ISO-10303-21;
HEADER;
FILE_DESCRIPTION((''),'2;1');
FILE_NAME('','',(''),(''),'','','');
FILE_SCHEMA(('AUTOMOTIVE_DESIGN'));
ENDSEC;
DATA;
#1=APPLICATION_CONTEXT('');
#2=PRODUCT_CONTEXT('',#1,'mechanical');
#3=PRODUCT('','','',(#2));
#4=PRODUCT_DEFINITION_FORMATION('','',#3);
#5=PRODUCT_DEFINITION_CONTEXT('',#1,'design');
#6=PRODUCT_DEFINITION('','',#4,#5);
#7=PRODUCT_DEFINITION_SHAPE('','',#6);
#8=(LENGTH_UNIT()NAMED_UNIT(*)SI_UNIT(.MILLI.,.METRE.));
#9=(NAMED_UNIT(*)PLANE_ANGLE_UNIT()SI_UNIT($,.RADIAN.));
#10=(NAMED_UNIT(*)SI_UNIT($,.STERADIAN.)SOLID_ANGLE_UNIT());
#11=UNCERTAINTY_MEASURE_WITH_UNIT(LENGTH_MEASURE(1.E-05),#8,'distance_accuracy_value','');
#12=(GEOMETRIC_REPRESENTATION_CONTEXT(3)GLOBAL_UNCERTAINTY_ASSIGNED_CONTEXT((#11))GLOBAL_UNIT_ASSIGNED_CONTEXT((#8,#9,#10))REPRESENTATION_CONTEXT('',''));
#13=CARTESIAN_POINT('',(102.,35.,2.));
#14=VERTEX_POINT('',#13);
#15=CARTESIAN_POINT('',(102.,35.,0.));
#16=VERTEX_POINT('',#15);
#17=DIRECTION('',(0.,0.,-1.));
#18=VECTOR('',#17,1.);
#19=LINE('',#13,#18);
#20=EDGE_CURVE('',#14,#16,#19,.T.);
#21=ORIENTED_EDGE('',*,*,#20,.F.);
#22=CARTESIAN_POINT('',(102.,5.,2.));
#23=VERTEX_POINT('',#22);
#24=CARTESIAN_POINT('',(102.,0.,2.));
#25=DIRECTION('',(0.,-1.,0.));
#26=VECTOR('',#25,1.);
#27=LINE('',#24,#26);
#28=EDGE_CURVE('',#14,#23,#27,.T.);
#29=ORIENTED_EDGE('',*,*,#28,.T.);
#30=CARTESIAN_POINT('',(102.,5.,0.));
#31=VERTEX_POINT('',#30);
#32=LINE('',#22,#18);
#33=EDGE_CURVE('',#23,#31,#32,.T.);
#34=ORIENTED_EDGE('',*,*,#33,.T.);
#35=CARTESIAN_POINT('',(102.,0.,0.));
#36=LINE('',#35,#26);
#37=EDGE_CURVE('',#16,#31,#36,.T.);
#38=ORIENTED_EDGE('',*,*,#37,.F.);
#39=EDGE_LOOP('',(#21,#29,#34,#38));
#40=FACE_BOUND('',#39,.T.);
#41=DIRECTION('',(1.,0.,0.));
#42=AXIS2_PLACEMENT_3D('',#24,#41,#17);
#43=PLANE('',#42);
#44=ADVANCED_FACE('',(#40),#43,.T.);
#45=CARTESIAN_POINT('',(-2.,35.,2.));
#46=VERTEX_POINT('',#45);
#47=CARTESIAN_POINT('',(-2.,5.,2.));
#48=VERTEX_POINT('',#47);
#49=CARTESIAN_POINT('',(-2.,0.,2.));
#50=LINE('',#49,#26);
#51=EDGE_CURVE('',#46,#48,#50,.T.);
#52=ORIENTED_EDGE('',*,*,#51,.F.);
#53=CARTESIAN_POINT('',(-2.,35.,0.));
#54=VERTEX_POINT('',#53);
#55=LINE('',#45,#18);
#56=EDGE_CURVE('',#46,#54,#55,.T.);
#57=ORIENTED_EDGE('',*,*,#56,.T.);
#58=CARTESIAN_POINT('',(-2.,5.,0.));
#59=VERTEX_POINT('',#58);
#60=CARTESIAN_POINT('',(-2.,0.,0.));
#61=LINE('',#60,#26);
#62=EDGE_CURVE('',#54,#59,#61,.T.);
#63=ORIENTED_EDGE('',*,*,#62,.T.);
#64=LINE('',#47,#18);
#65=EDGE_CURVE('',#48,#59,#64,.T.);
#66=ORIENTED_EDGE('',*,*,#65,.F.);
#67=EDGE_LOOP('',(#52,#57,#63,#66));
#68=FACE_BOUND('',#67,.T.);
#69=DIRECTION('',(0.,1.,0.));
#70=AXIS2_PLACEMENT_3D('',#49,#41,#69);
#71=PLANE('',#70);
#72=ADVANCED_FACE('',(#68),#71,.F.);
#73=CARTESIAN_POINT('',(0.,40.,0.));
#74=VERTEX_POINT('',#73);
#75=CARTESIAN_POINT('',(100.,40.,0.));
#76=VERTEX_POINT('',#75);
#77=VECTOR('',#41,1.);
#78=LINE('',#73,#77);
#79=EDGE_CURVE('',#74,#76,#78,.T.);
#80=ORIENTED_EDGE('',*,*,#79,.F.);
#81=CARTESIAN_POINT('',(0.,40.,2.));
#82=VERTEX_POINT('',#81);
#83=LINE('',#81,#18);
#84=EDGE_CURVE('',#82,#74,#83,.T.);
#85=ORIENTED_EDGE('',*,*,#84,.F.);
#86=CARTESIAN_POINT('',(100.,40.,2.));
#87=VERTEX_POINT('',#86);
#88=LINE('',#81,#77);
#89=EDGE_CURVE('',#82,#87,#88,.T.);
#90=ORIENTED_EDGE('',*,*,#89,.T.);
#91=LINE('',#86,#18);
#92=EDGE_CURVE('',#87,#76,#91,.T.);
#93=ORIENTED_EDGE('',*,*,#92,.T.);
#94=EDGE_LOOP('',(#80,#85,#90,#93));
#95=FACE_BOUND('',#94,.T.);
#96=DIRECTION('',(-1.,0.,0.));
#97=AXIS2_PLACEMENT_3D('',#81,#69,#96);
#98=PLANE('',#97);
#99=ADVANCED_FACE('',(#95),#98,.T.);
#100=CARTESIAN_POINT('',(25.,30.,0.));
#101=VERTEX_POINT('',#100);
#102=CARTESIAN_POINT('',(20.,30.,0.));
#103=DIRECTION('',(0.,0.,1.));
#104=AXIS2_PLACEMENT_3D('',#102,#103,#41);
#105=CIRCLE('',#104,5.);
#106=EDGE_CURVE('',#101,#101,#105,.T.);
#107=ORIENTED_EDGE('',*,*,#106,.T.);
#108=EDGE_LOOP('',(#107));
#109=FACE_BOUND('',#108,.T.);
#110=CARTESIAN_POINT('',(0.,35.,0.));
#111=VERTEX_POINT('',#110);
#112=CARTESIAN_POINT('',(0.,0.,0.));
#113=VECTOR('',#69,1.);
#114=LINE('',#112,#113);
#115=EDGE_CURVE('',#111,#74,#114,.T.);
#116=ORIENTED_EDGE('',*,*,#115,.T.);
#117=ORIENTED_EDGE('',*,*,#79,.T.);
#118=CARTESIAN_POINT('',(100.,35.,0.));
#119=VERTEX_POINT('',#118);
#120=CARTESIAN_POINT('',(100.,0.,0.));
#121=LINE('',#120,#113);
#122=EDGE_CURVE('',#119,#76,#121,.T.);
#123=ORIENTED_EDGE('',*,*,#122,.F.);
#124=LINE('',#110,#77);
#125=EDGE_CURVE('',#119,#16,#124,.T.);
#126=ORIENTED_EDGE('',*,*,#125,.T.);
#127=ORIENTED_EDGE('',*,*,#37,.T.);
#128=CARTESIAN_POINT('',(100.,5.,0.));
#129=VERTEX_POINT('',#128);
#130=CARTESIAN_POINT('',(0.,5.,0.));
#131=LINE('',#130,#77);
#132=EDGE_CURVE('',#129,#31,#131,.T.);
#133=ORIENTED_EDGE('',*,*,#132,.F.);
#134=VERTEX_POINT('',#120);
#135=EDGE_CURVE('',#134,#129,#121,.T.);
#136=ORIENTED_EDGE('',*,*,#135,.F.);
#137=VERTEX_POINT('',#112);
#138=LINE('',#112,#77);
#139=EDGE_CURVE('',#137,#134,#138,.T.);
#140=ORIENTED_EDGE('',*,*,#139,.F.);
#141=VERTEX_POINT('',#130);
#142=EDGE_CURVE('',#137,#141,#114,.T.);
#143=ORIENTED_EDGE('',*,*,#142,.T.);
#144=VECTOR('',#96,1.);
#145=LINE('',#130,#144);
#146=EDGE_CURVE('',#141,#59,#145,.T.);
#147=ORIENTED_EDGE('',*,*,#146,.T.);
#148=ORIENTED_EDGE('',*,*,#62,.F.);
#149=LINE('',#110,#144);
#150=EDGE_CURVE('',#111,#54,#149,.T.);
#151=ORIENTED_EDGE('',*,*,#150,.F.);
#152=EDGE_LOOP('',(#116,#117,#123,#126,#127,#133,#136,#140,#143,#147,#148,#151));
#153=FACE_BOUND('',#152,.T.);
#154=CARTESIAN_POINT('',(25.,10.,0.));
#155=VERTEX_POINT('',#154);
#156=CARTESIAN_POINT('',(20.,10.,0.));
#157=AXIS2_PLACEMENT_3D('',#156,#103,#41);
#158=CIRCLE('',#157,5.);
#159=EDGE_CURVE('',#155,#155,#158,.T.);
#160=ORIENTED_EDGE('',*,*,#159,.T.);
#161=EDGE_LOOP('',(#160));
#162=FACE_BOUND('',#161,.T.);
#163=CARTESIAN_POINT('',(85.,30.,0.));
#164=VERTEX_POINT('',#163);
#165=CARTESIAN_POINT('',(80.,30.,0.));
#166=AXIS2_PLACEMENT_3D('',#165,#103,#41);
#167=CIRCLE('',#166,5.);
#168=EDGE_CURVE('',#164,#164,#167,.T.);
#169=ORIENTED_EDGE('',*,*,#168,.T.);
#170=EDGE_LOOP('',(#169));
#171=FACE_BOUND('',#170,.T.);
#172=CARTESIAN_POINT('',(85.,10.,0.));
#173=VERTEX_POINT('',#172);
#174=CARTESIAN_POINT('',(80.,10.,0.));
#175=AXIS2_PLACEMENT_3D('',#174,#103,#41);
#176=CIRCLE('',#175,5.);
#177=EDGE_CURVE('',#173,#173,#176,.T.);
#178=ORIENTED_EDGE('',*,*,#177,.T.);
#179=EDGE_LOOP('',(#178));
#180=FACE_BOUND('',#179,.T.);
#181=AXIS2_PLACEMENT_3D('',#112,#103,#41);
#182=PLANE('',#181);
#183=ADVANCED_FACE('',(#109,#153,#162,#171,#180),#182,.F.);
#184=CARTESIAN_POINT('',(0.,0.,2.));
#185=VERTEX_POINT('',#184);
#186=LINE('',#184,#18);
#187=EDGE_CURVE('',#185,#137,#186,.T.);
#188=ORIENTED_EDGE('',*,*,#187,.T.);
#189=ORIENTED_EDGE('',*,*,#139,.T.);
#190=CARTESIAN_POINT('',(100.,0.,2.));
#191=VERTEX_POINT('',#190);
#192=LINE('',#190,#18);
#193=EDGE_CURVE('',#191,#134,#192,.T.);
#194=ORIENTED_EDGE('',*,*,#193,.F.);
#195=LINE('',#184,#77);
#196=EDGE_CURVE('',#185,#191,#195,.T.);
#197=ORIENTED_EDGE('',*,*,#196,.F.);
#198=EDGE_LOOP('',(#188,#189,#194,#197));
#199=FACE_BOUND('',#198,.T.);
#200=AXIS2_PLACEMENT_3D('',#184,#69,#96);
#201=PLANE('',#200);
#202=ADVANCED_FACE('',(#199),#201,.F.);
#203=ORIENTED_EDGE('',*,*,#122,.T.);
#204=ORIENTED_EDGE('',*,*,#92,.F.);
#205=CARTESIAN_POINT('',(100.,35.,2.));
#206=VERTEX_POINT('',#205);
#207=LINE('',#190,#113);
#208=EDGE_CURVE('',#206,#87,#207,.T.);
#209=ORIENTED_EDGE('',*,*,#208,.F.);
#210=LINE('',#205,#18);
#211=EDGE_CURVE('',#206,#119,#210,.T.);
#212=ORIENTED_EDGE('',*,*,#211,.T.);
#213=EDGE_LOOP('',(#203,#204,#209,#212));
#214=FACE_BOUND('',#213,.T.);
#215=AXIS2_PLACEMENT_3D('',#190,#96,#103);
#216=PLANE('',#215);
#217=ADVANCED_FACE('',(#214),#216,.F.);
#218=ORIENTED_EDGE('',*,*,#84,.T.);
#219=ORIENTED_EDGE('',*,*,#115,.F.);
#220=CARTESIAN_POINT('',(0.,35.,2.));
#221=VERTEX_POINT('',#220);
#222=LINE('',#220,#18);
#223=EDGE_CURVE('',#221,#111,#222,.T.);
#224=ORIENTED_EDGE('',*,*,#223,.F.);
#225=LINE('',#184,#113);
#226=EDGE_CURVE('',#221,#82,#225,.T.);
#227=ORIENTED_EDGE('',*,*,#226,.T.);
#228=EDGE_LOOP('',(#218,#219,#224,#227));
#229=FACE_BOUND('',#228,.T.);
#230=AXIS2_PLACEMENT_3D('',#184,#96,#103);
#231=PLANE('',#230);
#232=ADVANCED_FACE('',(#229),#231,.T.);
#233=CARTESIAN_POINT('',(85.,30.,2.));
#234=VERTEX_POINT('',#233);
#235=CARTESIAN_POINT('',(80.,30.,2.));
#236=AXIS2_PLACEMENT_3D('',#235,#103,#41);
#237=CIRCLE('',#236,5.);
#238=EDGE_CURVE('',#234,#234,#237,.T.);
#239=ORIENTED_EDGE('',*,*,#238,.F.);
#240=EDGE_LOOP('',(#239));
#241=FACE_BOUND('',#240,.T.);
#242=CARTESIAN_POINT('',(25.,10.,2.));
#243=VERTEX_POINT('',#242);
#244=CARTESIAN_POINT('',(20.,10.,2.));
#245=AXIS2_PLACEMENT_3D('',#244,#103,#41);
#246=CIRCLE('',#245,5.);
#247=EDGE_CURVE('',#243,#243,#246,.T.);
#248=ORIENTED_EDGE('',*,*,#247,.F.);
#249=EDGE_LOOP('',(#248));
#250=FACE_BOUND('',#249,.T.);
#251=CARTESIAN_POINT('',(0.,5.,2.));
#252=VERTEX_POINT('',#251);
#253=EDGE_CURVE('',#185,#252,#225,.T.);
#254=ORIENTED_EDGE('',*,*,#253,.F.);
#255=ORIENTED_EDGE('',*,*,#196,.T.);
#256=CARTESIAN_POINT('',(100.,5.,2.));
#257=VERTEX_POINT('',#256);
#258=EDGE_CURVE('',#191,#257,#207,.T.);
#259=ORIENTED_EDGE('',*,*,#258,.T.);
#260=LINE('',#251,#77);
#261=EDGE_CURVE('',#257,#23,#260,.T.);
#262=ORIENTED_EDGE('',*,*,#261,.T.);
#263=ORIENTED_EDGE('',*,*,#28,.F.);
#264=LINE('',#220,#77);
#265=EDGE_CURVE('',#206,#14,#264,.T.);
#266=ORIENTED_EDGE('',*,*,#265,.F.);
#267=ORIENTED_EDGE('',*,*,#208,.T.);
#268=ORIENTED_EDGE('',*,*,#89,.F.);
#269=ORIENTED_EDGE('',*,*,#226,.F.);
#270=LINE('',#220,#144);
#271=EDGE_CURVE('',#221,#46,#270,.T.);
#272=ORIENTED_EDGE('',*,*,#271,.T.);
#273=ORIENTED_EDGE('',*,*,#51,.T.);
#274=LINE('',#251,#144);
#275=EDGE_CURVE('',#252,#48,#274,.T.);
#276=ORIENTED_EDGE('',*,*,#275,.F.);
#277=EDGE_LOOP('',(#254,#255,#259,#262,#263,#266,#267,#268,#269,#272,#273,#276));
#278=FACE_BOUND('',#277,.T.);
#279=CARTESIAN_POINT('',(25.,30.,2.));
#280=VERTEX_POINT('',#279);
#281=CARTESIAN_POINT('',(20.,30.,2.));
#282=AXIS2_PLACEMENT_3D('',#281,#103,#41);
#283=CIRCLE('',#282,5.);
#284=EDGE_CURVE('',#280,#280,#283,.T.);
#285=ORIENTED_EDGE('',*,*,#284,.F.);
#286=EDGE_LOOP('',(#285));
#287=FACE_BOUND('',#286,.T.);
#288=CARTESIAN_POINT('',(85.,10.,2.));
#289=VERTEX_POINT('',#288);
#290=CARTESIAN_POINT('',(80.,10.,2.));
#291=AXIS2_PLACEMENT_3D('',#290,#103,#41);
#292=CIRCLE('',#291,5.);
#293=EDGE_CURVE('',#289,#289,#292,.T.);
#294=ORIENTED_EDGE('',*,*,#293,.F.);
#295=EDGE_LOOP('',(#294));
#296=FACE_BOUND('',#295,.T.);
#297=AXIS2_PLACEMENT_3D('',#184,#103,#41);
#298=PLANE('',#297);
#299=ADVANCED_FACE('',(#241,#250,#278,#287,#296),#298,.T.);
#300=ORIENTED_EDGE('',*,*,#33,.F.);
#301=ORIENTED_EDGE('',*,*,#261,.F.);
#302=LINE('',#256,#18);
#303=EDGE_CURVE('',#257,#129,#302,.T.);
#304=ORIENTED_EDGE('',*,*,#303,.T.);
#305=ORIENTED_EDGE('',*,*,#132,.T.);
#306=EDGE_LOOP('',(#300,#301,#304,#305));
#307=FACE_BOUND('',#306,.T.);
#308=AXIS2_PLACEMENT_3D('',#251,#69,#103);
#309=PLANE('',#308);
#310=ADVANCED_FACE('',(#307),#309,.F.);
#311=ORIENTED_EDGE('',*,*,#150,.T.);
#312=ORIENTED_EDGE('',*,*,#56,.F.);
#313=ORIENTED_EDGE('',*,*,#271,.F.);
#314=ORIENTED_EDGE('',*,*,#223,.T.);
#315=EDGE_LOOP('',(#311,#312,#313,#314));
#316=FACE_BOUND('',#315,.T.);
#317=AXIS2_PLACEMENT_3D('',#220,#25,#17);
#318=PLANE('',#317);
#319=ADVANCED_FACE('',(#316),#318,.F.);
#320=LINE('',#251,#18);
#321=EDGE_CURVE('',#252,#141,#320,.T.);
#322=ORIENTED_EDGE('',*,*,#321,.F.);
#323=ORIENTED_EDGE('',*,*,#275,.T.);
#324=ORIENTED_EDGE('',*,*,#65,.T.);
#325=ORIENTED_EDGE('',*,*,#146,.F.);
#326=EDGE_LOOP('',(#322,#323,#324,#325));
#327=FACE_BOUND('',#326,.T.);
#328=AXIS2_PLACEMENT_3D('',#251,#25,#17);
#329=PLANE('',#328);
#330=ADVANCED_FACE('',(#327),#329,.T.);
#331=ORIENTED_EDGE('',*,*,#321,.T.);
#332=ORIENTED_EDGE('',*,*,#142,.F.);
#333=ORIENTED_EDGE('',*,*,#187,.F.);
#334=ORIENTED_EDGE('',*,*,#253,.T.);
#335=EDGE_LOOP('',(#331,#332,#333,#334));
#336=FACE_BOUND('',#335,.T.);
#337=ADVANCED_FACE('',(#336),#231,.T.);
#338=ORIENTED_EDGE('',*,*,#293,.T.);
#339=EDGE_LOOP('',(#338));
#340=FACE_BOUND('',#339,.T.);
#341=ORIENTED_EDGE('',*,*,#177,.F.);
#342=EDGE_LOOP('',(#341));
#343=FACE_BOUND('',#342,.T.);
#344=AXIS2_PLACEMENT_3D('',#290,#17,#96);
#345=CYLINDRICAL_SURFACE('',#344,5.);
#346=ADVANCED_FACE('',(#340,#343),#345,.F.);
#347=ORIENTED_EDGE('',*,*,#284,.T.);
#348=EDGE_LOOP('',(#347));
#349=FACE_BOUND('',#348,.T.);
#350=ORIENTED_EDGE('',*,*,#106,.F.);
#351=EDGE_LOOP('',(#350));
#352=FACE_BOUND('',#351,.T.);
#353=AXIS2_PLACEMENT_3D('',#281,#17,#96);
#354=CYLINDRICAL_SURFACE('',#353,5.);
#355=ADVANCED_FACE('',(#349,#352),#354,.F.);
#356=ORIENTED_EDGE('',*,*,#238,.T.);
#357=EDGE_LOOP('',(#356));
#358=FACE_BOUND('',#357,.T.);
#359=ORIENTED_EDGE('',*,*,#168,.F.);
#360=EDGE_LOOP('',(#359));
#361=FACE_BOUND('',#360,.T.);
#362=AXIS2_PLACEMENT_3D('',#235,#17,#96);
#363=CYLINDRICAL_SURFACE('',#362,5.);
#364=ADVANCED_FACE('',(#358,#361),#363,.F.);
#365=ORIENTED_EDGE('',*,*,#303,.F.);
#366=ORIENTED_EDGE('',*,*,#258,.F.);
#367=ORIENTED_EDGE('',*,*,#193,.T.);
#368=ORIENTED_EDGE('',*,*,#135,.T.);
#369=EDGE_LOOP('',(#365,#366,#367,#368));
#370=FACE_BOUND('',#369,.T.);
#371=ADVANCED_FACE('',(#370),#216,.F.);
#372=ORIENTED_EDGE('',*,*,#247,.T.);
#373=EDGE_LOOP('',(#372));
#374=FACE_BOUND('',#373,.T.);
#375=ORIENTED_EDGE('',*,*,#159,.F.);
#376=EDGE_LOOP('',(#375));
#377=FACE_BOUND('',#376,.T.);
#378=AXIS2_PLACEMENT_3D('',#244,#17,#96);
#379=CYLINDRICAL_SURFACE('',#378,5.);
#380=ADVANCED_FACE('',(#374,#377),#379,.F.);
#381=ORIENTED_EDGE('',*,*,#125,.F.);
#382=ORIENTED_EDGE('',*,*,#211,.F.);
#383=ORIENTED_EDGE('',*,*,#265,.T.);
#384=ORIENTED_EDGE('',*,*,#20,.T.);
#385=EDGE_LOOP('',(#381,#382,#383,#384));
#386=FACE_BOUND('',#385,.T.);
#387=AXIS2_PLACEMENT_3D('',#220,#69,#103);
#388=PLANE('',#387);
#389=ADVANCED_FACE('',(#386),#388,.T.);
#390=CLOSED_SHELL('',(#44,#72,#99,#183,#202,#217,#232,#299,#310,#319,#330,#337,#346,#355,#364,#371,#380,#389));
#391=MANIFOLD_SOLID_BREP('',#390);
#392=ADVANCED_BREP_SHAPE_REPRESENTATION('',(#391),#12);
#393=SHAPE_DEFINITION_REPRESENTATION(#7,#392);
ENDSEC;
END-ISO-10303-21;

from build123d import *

# Parameters (mm, degrees)
SKETCH_1_W          = 2
SKETCH_1_H          = 30
SKETCH_1_W_2        = 100
SKETCH_1_H_2        = 40
EXTRUDE_1_DEPTH     = 2
SKETCH_2_R          = 5
CUT_EXTRUDE_1_DEPTH = 110.581020254


with BuildPart() as part:
    # 草图1 → 凸台-拉伸1 (new body)
    with BuildSketch(Plane.XY):
        with Locations((-1, 20)):
            Rectangle(SKETCH_1_W, SKETCH_1_H)
        with Locations((50, 20)):
            Rectangle(SKETCH_1_W_2, SKETCH_1_H_2)
        with Locations((101, 20)):
            Rectangle(SKETCH_1_W, SKETCH_1_H)
    extrude(amount=EXTRUDE_1_DEPTH)

    # 草图2 → 切除-拉伸1 (cut, through all)
    with BuildSketch(Plane.XY):
        with Locations((20, 30)):
            Circle(SKETCH_2_R)
        with Locations((80, 30)):
            Circle(SKETCH_2_R)
        with Locations((80, 10)):
            Circle(SKETCH_2_R)
        with Locations((20, 10)):
            Circle(SKETCH_2_R)
    extrude(amount=CUT_EXTRUDE_1_DEPTH, mode=Mode.SUBTRACT)


solid = part.part
